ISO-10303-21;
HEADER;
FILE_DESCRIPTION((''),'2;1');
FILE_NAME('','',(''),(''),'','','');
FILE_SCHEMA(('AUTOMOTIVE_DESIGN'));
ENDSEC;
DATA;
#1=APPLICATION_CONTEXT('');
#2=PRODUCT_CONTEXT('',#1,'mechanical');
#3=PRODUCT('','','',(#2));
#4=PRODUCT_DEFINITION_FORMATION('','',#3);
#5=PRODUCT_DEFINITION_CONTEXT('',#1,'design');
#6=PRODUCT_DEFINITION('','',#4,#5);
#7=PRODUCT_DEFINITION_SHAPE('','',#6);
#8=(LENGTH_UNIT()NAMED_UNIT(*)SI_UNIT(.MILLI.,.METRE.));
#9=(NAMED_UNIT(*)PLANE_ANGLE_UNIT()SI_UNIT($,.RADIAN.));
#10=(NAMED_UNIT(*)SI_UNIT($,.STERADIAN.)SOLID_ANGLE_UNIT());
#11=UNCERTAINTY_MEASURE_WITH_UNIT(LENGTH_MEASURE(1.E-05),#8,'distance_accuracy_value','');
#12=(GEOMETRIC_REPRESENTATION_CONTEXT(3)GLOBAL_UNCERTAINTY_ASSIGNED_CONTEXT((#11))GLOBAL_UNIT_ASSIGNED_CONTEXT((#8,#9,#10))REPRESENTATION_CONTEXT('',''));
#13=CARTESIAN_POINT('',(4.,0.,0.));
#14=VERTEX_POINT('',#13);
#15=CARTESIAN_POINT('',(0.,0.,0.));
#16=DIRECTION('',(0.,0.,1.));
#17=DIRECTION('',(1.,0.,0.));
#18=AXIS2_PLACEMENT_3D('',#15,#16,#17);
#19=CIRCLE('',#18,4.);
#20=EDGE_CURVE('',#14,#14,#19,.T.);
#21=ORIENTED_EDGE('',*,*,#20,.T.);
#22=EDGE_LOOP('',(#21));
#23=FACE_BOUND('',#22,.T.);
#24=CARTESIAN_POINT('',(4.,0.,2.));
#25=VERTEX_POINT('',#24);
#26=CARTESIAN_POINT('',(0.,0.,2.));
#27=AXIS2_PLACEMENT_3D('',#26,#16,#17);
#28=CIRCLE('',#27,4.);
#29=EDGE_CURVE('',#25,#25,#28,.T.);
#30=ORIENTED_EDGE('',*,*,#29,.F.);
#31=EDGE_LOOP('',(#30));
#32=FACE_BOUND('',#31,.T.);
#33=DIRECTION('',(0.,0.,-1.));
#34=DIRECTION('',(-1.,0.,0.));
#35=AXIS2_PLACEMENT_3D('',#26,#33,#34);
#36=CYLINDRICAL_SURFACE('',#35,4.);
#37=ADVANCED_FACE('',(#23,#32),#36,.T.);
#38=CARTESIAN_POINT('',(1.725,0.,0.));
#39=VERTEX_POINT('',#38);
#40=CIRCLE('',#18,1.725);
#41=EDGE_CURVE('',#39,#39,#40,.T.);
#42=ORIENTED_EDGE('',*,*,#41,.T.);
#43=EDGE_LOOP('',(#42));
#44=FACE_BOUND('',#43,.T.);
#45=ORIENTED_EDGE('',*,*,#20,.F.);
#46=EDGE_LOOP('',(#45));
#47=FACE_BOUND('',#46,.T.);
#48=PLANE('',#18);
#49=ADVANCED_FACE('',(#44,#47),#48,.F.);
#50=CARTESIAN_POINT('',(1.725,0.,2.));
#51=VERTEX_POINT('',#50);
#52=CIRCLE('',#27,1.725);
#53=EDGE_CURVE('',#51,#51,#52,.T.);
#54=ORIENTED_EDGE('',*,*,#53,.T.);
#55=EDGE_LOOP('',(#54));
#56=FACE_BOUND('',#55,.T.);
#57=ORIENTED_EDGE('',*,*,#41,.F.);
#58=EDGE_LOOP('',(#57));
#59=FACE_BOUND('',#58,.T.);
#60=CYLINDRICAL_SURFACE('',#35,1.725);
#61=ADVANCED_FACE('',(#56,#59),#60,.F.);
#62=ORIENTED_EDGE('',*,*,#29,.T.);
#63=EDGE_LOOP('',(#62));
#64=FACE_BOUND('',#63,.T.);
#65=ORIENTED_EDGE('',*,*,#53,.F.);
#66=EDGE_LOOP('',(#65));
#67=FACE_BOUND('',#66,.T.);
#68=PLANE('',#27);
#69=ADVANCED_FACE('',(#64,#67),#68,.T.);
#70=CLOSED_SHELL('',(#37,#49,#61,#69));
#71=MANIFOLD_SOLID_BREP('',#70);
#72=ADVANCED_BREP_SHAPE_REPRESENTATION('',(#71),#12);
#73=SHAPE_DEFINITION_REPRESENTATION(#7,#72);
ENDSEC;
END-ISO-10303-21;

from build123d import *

# Parameters (mm, degrees)
SKETCH1_R         = 4
SKETCH1_R_2       = 1.725
MAIN_SPACER_DEPTH = 2


with BuildPart() as part:
    # Sketch1 → Main Spacer (new body)
    with BuildSketch(Plane.XY):
        Circle(SKETCH1_R)
        Circle(SKETCH1_R_2, mode=Mode.SUBTRACT)
    extrude(amount=MAIN_SPACER_DEPTH)


solid = part.part
